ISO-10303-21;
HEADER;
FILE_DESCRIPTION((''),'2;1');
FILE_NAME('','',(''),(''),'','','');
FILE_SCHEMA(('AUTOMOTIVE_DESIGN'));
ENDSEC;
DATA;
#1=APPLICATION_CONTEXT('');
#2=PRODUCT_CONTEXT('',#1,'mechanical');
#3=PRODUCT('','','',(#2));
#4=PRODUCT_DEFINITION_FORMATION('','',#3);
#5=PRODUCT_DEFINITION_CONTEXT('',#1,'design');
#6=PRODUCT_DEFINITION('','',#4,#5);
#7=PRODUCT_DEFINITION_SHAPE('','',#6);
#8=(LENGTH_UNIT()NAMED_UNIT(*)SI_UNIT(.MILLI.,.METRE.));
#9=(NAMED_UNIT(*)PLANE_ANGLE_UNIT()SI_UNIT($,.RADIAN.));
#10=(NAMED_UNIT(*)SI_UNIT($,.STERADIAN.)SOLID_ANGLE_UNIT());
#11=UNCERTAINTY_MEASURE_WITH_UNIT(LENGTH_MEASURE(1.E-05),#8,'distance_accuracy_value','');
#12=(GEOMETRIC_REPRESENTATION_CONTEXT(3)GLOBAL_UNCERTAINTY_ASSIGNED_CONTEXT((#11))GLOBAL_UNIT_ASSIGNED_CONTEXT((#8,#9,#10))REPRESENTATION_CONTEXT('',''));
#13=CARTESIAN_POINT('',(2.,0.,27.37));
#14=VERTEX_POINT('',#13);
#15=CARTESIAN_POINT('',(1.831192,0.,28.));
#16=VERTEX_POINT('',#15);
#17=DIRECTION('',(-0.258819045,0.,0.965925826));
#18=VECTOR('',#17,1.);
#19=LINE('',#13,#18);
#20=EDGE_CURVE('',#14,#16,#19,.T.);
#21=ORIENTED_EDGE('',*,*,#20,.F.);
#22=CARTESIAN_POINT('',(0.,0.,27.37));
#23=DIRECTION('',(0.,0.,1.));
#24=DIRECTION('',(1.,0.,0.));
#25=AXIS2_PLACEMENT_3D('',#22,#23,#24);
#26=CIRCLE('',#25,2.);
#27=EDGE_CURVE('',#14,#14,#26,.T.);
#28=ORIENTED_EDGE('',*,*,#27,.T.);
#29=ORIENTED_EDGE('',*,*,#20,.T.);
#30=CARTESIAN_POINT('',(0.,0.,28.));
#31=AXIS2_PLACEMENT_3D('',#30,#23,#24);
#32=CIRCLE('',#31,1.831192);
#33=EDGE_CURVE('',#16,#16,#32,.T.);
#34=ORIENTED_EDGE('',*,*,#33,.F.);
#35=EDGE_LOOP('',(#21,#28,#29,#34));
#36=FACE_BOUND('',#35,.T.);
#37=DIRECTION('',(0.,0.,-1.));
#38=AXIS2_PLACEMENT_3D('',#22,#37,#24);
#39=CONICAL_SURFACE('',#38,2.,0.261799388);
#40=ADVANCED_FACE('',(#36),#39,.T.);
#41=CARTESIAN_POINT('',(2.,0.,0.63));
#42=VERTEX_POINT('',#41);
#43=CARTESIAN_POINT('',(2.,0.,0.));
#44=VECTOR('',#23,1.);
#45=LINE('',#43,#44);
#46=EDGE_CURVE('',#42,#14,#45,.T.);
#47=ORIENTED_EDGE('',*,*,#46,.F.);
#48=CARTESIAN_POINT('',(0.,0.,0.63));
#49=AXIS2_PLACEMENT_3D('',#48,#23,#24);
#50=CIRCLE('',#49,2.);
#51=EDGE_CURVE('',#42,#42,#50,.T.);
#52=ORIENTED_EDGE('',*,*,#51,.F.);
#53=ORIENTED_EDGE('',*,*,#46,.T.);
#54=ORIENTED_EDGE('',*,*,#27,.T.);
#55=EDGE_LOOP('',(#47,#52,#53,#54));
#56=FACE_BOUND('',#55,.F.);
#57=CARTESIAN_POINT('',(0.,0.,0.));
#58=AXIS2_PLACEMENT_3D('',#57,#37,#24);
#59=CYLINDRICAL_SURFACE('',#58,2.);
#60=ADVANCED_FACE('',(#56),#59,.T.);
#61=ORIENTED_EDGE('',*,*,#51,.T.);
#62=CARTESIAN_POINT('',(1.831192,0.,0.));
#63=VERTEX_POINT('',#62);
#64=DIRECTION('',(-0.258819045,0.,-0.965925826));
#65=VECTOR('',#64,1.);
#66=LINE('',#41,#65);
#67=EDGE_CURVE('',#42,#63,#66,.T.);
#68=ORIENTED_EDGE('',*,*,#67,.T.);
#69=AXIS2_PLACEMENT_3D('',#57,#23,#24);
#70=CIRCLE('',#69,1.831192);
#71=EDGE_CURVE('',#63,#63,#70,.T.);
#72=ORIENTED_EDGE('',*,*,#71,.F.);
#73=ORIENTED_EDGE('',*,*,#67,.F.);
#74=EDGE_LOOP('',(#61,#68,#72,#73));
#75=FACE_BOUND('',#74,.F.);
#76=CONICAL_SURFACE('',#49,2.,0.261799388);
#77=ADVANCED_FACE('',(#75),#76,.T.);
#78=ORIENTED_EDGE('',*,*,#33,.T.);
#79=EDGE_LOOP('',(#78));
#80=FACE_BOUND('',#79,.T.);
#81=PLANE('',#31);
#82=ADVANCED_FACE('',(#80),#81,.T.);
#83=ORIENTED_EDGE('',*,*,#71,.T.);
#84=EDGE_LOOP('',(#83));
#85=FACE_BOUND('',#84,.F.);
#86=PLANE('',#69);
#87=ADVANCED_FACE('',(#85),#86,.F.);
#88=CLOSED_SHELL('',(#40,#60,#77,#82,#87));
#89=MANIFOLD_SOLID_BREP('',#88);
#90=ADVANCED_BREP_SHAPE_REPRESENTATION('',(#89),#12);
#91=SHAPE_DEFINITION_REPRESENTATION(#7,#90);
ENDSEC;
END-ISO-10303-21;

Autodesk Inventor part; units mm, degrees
ref_plane "YZ Plane" through (0, 0, 0) normal (1, 0, 0) x (0, 1, 0)
ref_plane "XZ Plane" through (0, 0, 0) normal (0, 1, 0) x (-1, 0, 0)
ref_plane "XY Plane" through (0, 0, 0) normal (0, 0, 1) x (1, 0, 0)
sketch "スケッチ1" plane through (0, 0, 0) normal (0, 0, 1) x (1, 0, 0)
  circle A0 centre (0, 0) radius 2
  dimension "d0" = 4
extrude "押し出し1" add sketch "スケッチ1" along normal blind 28
chamfer "面取り1" distance 0.63 angle 15 2 edges at (-2, 0, 28) (-2, 0, 0) measured on face at (1.9741, -0.3208, 18.6667)
properties part number "平行ピンΦ4.28" material "鋼、高強度、低合金"
